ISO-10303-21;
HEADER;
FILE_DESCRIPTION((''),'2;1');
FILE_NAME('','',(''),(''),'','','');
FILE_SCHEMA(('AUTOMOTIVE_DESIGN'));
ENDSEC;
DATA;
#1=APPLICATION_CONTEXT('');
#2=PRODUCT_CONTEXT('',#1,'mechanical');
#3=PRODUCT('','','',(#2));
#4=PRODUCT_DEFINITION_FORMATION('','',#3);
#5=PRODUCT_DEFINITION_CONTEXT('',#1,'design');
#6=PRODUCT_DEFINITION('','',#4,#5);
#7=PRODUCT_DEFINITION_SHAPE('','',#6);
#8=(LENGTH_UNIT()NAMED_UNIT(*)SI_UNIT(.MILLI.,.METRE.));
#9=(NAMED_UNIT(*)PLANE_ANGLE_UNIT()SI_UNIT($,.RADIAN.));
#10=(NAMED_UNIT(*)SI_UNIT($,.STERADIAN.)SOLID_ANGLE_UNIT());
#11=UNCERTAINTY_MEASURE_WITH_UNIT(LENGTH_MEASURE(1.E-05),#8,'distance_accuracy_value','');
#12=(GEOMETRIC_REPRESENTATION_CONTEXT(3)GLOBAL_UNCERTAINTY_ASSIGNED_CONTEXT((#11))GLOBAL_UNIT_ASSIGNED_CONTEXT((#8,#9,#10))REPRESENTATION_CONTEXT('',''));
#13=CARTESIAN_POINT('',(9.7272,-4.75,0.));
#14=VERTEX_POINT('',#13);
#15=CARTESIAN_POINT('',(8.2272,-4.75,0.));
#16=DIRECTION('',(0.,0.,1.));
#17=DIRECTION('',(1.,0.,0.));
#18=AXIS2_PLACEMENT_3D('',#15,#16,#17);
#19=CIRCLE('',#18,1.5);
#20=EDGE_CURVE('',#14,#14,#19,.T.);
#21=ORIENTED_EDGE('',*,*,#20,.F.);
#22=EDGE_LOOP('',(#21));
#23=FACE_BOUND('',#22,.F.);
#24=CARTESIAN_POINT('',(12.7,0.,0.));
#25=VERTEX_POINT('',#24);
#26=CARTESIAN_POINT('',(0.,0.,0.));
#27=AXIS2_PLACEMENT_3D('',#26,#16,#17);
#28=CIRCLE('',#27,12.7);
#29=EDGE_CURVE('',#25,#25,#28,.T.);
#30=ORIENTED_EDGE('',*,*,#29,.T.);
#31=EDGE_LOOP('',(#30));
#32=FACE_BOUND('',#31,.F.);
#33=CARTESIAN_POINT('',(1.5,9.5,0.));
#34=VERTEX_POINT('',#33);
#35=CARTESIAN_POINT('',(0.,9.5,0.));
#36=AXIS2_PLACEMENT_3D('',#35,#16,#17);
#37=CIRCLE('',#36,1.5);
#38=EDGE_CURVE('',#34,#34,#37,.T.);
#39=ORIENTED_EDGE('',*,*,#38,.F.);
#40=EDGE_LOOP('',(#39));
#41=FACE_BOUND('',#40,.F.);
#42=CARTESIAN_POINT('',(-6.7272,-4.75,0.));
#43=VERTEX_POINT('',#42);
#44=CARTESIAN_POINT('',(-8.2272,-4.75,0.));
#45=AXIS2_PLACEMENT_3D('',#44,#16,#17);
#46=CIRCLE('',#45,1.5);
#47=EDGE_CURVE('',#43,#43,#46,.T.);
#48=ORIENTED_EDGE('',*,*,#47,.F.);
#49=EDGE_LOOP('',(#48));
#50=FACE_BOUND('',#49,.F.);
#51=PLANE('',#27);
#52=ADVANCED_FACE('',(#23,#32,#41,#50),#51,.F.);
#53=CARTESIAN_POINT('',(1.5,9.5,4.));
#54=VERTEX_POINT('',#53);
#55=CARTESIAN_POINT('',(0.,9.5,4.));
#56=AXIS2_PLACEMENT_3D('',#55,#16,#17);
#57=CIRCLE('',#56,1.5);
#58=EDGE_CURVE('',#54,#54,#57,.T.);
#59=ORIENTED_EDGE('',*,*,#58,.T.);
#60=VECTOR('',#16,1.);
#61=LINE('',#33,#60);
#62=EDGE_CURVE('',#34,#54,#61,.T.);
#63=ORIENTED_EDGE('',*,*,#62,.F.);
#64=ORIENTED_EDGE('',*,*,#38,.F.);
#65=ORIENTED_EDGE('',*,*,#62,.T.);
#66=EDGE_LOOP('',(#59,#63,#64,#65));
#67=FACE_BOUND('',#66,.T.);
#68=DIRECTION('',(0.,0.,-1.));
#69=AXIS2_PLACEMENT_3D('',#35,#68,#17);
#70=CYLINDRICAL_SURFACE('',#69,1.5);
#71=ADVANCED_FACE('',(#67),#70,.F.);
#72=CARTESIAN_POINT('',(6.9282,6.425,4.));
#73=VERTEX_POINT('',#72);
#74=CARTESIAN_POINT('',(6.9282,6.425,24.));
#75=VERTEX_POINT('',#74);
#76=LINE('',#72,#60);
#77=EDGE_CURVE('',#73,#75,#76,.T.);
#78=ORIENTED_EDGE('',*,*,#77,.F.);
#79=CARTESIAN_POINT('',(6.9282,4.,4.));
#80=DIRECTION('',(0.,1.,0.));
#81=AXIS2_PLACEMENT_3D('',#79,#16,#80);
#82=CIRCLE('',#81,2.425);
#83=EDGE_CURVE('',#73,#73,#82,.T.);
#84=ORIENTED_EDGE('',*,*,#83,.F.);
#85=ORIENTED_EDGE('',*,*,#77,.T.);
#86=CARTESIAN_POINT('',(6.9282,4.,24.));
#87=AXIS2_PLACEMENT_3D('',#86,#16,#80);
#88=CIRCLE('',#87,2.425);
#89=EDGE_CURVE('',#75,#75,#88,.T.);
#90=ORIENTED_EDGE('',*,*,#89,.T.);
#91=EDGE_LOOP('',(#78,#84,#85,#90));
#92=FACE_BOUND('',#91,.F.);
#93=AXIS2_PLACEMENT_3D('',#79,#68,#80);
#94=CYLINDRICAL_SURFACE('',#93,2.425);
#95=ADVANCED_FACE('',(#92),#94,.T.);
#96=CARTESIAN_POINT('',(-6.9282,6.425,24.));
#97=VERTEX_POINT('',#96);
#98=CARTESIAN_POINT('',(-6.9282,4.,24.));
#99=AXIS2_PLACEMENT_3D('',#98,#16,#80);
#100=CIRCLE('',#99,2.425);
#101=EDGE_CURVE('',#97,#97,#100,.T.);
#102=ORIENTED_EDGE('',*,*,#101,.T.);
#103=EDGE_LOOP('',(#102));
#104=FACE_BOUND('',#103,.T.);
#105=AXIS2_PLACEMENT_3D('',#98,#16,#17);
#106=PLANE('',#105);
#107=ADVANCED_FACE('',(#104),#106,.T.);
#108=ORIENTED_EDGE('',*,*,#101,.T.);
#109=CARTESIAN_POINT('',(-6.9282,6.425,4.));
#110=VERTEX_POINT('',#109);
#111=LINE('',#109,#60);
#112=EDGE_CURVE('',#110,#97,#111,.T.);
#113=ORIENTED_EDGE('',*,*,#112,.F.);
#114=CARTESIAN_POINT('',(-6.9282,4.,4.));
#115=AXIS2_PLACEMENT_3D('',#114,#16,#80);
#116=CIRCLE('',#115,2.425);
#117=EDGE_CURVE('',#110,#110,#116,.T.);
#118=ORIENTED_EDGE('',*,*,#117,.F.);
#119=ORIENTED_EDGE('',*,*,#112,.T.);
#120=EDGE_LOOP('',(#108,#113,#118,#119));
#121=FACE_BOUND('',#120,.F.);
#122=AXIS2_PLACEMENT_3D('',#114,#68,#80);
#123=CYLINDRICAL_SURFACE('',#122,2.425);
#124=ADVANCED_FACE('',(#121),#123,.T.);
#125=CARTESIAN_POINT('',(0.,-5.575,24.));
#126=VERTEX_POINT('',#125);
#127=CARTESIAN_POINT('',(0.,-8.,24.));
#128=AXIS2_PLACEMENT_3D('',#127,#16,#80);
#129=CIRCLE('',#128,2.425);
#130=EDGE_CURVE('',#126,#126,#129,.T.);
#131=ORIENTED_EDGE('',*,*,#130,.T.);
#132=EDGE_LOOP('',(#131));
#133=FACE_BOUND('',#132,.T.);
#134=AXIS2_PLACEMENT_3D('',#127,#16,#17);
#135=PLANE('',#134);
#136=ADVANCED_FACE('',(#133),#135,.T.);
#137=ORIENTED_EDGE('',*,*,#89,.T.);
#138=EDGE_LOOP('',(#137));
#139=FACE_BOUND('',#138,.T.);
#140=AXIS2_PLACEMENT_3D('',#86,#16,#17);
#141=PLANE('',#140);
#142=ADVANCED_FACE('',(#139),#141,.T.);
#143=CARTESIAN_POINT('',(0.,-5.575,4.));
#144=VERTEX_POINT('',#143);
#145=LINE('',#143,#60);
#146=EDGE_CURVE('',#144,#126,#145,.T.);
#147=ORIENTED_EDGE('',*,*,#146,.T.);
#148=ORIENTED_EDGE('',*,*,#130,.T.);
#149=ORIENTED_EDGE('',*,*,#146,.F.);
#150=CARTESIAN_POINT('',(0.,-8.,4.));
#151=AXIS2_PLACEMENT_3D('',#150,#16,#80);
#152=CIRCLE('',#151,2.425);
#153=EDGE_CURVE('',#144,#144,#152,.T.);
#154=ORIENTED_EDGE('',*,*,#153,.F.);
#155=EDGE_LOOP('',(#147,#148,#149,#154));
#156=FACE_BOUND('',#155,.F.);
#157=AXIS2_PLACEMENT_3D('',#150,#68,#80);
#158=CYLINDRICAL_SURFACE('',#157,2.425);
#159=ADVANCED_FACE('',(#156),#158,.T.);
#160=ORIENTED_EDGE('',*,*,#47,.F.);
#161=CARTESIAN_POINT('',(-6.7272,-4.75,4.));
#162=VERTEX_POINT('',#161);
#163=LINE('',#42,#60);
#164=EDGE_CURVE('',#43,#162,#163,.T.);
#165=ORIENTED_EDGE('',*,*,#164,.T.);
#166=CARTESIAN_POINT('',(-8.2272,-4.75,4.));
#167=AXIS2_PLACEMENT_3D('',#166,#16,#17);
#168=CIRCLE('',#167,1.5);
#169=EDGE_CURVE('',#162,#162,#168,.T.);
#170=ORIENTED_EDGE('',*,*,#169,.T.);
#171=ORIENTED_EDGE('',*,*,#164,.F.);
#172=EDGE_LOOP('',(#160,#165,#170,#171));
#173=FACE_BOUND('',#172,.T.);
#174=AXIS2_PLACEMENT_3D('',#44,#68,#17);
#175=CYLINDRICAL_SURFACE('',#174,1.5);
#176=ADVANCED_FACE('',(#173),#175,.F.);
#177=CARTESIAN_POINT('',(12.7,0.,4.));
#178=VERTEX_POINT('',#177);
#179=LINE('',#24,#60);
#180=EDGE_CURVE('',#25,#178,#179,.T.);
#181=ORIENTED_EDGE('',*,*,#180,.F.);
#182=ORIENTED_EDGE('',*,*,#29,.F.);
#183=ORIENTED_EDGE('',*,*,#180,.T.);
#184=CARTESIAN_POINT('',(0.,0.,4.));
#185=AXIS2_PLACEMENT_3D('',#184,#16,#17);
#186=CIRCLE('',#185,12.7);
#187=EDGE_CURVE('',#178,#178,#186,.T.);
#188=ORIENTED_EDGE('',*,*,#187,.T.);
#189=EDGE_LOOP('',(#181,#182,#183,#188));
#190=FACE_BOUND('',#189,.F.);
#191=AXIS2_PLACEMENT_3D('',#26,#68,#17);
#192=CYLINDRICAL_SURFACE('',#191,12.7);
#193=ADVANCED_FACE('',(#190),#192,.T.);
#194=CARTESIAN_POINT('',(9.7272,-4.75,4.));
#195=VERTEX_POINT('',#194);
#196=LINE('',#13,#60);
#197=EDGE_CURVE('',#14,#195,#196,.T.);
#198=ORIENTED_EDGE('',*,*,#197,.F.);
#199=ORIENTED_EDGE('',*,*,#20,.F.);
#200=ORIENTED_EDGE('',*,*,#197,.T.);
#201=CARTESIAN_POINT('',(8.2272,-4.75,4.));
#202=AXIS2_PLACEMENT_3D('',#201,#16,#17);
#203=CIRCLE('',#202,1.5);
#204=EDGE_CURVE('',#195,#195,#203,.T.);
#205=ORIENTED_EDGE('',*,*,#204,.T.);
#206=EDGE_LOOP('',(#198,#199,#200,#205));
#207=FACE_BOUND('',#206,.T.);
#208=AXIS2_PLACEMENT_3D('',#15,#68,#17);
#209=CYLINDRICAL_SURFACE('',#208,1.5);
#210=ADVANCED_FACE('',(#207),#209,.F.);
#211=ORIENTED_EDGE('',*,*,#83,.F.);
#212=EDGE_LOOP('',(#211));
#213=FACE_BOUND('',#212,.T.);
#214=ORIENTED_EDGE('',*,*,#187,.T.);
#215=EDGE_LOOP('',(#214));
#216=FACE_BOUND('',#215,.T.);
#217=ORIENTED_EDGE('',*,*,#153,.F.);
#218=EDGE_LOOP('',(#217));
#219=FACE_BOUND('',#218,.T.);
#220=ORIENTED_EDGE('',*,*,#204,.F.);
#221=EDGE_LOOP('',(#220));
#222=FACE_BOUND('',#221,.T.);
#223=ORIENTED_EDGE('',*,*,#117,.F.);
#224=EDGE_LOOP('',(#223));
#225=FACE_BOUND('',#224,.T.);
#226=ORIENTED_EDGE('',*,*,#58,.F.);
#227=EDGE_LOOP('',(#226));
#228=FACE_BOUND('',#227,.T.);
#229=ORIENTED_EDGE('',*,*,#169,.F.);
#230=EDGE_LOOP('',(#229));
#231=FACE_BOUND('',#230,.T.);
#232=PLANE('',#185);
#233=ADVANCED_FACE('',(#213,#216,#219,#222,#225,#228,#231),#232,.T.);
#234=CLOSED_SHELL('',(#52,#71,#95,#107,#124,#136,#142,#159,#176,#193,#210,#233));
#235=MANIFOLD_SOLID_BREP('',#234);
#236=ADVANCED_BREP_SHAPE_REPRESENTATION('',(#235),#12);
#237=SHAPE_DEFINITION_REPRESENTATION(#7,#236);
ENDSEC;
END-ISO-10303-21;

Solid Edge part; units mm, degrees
sketch "Sketch1" plane through (0, 0, 0) normal (0, 0, 1) x (1, 0, 0)
  circle A0 centre (0, 0) radius 12.7
  circle A1 centre (0, 9.5) radius 1.5
  circle A2 centre (-8.2272, -4.75) radius 1.5
  circle A3 centre (8.2272, -4.75) radius 1.5
extrude "Protrusion1" add sketch "Sketch1" along normal blind 4
sketch "Sketch2" plane through (0, 0, 4) normal (0, 0, 1) x (0, 1, 0)
  circle A0 centre (4, 6.9282) radius 2.425
  circle A1 centre (4, -6.9282) radius 2.425
  circle A2 centre (-8, 0) radius 2.425
extrude "ExtrudedProtrusion_3" add sketch "Sketch2" along normal blind 20
